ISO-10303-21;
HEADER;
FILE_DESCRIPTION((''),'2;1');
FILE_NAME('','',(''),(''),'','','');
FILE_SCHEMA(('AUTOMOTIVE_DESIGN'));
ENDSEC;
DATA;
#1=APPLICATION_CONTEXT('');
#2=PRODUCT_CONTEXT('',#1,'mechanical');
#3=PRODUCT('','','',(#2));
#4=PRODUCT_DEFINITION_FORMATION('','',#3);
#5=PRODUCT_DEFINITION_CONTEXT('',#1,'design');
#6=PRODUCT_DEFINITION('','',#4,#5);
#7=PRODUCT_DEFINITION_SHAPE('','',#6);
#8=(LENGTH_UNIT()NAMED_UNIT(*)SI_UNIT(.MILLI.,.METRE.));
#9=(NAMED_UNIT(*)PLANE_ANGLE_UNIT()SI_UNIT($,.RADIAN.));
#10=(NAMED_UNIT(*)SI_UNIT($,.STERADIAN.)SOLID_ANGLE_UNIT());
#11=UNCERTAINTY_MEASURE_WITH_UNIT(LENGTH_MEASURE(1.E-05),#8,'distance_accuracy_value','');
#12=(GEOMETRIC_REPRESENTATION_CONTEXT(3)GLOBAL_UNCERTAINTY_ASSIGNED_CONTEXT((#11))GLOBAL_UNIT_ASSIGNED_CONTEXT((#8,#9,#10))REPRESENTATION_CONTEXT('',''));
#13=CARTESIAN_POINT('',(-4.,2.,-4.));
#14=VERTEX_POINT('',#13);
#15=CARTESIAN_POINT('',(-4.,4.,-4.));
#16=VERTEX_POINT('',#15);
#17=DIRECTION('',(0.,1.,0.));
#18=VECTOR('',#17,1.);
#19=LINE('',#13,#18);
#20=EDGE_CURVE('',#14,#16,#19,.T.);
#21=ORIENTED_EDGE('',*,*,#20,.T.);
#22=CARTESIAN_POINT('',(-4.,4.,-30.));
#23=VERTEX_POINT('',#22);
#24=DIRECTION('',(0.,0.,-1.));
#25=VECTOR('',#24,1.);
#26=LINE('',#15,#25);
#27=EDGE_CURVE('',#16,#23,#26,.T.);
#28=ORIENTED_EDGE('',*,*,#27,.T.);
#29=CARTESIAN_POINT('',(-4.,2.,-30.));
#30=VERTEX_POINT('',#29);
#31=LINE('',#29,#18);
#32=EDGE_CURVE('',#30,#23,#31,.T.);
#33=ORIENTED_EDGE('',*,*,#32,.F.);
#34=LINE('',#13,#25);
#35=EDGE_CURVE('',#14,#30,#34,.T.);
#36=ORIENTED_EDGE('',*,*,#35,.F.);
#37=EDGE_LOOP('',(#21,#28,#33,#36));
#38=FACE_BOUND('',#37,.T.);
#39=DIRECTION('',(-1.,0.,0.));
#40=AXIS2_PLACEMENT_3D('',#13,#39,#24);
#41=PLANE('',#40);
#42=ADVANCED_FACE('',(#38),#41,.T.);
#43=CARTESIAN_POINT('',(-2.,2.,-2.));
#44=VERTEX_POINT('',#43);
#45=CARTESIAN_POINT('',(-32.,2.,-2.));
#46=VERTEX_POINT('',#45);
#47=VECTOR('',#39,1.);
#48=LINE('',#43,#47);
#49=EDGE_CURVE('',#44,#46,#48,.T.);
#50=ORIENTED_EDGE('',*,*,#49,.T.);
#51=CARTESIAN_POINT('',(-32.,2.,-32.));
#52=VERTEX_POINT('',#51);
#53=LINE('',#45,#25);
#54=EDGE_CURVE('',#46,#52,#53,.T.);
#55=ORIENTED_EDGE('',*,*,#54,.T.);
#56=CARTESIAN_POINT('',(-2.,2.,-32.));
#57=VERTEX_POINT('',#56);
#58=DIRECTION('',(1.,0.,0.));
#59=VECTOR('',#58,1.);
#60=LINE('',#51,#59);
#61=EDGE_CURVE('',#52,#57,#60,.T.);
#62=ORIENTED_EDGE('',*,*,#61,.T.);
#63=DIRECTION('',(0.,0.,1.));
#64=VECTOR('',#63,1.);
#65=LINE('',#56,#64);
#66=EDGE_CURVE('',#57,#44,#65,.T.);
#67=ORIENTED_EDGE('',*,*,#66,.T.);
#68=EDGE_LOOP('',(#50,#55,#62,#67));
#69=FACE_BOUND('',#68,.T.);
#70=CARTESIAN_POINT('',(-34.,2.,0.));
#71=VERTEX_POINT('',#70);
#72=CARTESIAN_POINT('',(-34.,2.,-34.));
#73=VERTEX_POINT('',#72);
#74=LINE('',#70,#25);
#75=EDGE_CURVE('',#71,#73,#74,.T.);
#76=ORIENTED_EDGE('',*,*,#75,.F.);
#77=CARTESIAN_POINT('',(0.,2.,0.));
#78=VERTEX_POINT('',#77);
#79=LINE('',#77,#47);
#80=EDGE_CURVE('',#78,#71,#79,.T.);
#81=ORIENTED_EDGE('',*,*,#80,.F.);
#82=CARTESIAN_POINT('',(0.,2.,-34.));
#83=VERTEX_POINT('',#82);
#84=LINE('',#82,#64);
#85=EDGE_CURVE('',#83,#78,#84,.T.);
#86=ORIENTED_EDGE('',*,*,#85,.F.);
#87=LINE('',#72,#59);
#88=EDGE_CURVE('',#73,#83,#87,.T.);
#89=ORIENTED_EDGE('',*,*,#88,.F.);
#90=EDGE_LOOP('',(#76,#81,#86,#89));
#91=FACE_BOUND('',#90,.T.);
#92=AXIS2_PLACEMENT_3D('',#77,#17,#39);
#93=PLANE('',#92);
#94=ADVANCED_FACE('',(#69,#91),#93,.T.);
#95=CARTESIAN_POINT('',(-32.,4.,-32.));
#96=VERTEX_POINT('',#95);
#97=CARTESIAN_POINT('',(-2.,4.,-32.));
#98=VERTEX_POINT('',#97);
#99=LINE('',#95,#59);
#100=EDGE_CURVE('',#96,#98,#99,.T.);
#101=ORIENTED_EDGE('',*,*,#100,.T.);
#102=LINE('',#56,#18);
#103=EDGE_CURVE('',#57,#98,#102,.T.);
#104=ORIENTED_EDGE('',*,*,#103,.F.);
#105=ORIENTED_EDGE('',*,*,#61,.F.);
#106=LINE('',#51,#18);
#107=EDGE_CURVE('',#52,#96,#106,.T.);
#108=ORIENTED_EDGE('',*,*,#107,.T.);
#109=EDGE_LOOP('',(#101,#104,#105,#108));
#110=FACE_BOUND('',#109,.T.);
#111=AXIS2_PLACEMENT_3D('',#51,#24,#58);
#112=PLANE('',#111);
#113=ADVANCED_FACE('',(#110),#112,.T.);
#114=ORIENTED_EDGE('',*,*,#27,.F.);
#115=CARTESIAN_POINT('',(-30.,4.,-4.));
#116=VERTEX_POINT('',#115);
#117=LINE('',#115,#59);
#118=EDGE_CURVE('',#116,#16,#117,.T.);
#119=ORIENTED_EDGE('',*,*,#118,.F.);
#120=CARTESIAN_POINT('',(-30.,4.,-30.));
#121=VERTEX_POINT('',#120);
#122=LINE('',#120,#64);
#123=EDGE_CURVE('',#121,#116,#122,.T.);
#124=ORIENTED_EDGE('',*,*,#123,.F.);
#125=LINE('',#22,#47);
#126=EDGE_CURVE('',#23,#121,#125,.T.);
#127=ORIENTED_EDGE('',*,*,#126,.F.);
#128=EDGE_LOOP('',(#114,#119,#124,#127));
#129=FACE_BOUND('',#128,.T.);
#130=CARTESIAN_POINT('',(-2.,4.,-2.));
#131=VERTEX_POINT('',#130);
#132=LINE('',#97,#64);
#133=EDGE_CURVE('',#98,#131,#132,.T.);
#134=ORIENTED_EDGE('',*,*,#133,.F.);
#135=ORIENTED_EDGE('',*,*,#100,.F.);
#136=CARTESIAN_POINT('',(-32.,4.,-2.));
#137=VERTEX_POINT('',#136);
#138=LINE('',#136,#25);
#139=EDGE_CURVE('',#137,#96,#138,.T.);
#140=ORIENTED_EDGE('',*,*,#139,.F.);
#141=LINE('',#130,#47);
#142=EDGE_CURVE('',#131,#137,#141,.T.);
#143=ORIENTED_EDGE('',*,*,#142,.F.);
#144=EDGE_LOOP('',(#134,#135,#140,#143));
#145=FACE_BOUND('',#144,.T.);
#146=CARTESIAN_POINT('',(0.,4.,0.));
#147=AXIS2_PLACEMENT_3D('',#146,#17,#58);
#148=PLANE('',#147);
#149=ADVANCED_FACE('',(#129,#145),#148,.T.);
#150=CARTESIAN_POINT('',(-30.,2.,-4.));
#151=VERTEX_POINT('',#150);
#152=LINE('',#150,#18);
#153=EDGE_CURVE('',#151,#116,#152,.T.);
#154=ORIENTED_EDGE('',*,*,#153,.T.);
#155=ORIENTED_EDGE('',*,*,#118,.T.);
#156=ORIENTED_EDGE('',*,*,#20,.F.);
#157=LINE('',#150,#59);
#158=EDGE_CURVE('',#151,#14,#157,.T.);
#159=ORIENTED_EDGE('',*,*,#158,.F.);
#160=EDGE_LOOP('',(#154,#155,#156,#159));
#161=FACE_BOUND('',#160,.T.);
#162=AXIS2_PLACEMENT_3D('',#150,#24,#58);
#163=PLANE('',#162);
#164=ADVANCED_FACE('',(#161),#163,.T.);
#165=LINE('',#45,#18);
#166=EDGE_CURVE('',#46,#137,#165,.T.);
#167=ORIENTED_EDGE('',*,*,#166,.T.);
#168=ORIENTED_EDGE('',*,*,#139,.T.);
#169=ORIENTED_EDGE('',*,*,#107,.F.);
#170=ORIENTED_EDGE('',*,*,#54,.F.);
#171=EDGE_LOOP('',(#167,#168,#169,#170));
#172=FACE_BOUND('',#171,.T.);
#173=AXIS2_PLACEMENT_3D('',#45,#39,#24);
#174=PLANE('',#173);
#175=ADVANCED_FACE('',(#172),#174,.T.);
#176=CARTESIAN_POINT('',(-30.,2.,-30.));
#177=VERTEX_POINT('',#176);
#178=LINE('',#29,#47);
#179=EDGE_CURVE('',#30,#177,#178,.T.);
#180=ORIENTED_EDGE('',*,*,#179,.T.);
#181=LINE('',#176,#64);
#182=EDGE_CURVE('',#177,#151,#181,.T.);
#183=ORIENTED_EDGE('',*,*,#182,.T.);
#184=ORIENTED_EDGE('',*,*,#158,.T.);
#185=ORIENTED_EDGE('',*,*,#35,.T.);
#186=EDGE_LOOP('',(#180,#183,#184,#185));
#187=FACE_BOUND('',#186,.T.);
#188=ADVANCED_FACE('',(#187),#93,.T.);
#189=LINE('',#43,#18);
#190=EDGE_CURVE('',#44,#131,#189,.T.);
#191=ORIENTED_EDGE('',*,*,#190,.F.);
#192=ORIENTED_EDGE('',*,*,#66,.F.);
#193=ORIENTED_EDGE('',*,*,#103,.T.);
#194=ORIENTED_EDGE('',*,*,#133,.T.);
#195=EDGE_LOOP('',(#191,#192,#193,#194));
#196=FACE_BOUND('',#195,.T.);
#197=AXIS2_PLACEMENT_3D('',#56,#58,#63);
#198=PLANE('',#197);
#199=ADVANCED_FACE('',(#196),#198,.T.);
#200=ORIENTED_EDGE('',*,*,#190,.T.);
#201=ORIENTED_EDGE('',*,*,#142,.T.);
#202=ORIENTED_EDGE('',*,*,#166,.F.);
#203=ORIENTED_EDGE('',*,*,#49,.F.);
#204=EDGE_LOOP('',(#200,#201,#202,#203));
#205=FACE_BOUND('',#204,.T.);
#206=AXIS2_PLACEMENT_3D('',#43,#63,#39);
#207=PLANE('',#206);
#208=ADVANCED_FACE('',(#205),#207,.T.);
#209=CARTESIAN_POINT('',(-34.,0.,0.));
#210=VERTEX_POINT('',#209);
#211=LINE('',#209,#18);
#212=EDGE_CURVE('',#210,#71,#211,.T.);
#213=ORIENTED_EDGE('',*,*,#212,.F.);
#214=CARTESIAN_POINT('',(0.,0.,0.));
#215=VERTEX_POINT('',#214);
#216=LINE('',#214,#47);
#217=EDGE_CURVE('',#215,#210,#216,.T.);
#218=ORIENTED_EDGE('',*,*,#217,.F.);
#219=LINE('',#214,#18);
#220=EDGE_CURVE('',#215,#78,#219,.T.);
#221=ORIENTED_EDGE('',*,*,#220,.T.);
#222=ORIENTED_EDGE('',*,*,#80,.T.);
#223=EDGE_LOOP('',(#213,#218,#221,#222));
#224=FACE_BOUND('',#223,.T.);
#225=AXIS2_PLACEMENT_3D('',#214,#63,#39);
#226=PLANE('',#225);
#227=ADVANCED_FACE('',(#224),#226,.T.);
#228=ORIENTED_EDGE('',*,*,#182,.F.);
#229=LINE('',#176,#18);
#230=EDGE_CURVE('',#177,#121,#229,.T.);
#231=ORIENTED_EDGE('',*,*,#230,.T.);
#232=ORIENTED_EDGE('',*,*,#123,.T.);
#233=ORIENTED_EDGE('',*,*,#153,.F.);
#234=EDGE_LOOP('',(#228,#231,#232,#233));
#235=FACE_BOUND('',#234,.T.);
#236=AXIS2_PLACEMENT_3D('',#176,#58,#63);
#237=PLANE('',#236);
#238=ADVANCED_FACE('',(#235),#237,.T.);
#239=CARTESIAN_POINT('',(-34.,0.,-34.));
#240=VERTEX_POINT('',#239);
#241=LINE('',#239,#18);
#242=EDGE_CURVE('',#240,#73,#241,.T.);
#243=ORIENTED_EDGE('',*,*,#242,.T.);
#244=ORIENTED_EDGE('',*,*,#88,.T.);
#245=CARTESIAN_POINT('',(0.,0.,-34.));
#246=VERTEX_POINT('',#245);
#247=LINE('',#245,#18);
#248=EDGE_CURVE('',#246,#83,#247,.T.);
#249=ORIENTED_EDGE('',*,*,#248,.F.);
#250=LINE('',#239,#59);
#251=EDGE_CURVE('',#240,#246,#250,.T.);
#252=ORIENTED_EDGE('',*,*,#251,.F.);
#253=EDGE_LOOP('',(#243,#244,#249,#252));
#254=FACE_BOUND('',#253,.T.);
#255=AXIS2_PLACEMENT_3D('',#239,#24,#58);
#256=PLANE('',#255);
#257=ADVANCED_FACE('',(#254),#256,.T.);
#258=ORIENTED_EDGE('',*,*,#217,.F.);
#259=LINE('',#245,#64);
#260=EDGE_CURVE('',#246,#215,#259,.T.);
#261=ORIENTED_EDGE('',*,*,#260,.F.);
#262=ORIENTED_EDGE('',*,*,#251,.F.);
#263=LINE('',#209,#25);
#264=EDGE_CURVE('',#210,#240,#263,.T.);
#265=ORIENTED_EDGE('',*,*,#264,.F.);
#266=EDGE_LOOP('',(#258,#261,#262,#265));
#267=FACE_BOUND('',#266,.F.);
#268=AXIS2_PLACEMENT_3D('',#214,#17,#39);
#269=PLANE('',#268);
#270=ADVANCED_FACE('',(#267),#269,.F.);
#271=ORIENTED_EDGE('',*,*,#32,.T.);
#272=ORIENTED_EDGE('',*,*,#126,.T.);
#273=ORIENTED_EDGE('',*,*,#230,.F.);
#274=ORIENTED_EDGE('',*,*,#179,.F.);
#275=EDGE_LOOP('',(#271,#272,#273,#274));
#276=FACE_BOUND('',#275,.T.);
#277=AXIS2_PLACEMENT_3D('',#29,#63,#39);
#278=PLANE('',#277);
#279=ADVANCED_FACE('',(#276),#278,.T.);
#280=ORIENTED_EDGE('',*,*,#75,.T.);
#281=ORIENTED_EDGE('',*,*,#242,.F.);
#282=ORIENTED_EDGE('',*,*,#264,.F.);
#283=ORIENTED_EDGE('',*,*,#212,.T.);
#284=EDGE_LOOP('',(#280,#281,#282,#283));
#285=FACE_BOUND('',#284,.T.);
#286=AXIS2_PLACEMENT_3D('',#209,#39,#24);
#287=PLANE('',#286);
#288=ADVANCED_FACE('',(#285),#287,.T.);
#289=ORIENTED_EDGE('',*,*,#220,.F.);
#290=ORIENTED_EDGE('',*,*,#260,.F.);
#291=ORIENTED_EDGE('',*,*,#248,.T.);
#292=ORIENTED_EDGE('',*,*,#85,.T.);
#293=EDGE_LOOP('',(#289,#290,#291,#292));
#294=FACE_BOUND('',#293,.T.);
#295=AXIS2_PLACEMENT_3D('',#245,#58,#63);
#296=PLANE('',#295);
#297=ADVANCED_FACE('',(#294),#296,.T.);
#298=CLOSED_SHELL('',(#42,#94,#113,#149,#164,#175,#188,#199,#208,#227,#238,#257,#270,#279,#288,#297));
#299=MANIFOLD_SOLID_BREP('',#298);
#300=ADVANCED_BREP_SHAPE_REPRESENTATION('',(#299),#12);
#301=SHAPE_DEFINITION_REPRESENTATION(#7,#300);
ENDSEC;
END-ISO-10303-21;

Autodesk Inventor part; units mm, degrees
ref_plane "YZ Plane" through (0, 0, 0) normal (1, 0, 0) x (0, 1, 0)
ref_plane "XZ Plane" through (0, 0, 0) normal (0, 1, 0) x (-1, 0, 0)
ref_plane "XY Plane" through (0, 0, 0) normal (0, 0, 1) x (1, 0, 0)
sketch "Sketch1" plane through (0, 0, 0) normal (0, 1, 0) x (-1, 0, 0)
  line L0 (0, 0) -> (34, 0)
  line L1 (34, 0) -> (34, -34)
  line L2 (34, -34) -> (0, -34)
  line L3 (0, -34) -> (0, 0)
  dimension "d0" = 34
  dimension "d1" = 34
extrude "Extrusion1" add sketch "Sketch1" along normal blind 2
sketch "Sketch2" plane through (0, 2, 0) normal (0, 1, 0) x (1, 0, 0)
  line L0 (0, 34) -> (-34, 34) projected
  line L1 (-34, 34) -> (-34, 0) projected
  line L2 (-34, 0) -> (0, 0) projected
  line L3 (0, 0) -> (0, 34) projected
  line L4 (-32, 2) -> (-32, 32)
  line L5 (-32, 32) -> (-2, 32)
  line L6 (-2, 32) -> (-2, 2)
  line L7 (-2, 2) -> (-32, 2)
  line L8 (-30, 30) -> (-30, 4)
  line L9 (-30, 4) -> (-4, 4)
  line L10 (-4, 4) -> (-4, 30)
  line L11 (-4, 30) -> (-30, 30)
  dimension "d4" = 2
  dimension "d5" = 2
extrude "Extrusion2" add sketch "Sketch2" along normal blind 2 contours L4 L5 L6 L7
properties part number "waterBallonHolderCapv1"
